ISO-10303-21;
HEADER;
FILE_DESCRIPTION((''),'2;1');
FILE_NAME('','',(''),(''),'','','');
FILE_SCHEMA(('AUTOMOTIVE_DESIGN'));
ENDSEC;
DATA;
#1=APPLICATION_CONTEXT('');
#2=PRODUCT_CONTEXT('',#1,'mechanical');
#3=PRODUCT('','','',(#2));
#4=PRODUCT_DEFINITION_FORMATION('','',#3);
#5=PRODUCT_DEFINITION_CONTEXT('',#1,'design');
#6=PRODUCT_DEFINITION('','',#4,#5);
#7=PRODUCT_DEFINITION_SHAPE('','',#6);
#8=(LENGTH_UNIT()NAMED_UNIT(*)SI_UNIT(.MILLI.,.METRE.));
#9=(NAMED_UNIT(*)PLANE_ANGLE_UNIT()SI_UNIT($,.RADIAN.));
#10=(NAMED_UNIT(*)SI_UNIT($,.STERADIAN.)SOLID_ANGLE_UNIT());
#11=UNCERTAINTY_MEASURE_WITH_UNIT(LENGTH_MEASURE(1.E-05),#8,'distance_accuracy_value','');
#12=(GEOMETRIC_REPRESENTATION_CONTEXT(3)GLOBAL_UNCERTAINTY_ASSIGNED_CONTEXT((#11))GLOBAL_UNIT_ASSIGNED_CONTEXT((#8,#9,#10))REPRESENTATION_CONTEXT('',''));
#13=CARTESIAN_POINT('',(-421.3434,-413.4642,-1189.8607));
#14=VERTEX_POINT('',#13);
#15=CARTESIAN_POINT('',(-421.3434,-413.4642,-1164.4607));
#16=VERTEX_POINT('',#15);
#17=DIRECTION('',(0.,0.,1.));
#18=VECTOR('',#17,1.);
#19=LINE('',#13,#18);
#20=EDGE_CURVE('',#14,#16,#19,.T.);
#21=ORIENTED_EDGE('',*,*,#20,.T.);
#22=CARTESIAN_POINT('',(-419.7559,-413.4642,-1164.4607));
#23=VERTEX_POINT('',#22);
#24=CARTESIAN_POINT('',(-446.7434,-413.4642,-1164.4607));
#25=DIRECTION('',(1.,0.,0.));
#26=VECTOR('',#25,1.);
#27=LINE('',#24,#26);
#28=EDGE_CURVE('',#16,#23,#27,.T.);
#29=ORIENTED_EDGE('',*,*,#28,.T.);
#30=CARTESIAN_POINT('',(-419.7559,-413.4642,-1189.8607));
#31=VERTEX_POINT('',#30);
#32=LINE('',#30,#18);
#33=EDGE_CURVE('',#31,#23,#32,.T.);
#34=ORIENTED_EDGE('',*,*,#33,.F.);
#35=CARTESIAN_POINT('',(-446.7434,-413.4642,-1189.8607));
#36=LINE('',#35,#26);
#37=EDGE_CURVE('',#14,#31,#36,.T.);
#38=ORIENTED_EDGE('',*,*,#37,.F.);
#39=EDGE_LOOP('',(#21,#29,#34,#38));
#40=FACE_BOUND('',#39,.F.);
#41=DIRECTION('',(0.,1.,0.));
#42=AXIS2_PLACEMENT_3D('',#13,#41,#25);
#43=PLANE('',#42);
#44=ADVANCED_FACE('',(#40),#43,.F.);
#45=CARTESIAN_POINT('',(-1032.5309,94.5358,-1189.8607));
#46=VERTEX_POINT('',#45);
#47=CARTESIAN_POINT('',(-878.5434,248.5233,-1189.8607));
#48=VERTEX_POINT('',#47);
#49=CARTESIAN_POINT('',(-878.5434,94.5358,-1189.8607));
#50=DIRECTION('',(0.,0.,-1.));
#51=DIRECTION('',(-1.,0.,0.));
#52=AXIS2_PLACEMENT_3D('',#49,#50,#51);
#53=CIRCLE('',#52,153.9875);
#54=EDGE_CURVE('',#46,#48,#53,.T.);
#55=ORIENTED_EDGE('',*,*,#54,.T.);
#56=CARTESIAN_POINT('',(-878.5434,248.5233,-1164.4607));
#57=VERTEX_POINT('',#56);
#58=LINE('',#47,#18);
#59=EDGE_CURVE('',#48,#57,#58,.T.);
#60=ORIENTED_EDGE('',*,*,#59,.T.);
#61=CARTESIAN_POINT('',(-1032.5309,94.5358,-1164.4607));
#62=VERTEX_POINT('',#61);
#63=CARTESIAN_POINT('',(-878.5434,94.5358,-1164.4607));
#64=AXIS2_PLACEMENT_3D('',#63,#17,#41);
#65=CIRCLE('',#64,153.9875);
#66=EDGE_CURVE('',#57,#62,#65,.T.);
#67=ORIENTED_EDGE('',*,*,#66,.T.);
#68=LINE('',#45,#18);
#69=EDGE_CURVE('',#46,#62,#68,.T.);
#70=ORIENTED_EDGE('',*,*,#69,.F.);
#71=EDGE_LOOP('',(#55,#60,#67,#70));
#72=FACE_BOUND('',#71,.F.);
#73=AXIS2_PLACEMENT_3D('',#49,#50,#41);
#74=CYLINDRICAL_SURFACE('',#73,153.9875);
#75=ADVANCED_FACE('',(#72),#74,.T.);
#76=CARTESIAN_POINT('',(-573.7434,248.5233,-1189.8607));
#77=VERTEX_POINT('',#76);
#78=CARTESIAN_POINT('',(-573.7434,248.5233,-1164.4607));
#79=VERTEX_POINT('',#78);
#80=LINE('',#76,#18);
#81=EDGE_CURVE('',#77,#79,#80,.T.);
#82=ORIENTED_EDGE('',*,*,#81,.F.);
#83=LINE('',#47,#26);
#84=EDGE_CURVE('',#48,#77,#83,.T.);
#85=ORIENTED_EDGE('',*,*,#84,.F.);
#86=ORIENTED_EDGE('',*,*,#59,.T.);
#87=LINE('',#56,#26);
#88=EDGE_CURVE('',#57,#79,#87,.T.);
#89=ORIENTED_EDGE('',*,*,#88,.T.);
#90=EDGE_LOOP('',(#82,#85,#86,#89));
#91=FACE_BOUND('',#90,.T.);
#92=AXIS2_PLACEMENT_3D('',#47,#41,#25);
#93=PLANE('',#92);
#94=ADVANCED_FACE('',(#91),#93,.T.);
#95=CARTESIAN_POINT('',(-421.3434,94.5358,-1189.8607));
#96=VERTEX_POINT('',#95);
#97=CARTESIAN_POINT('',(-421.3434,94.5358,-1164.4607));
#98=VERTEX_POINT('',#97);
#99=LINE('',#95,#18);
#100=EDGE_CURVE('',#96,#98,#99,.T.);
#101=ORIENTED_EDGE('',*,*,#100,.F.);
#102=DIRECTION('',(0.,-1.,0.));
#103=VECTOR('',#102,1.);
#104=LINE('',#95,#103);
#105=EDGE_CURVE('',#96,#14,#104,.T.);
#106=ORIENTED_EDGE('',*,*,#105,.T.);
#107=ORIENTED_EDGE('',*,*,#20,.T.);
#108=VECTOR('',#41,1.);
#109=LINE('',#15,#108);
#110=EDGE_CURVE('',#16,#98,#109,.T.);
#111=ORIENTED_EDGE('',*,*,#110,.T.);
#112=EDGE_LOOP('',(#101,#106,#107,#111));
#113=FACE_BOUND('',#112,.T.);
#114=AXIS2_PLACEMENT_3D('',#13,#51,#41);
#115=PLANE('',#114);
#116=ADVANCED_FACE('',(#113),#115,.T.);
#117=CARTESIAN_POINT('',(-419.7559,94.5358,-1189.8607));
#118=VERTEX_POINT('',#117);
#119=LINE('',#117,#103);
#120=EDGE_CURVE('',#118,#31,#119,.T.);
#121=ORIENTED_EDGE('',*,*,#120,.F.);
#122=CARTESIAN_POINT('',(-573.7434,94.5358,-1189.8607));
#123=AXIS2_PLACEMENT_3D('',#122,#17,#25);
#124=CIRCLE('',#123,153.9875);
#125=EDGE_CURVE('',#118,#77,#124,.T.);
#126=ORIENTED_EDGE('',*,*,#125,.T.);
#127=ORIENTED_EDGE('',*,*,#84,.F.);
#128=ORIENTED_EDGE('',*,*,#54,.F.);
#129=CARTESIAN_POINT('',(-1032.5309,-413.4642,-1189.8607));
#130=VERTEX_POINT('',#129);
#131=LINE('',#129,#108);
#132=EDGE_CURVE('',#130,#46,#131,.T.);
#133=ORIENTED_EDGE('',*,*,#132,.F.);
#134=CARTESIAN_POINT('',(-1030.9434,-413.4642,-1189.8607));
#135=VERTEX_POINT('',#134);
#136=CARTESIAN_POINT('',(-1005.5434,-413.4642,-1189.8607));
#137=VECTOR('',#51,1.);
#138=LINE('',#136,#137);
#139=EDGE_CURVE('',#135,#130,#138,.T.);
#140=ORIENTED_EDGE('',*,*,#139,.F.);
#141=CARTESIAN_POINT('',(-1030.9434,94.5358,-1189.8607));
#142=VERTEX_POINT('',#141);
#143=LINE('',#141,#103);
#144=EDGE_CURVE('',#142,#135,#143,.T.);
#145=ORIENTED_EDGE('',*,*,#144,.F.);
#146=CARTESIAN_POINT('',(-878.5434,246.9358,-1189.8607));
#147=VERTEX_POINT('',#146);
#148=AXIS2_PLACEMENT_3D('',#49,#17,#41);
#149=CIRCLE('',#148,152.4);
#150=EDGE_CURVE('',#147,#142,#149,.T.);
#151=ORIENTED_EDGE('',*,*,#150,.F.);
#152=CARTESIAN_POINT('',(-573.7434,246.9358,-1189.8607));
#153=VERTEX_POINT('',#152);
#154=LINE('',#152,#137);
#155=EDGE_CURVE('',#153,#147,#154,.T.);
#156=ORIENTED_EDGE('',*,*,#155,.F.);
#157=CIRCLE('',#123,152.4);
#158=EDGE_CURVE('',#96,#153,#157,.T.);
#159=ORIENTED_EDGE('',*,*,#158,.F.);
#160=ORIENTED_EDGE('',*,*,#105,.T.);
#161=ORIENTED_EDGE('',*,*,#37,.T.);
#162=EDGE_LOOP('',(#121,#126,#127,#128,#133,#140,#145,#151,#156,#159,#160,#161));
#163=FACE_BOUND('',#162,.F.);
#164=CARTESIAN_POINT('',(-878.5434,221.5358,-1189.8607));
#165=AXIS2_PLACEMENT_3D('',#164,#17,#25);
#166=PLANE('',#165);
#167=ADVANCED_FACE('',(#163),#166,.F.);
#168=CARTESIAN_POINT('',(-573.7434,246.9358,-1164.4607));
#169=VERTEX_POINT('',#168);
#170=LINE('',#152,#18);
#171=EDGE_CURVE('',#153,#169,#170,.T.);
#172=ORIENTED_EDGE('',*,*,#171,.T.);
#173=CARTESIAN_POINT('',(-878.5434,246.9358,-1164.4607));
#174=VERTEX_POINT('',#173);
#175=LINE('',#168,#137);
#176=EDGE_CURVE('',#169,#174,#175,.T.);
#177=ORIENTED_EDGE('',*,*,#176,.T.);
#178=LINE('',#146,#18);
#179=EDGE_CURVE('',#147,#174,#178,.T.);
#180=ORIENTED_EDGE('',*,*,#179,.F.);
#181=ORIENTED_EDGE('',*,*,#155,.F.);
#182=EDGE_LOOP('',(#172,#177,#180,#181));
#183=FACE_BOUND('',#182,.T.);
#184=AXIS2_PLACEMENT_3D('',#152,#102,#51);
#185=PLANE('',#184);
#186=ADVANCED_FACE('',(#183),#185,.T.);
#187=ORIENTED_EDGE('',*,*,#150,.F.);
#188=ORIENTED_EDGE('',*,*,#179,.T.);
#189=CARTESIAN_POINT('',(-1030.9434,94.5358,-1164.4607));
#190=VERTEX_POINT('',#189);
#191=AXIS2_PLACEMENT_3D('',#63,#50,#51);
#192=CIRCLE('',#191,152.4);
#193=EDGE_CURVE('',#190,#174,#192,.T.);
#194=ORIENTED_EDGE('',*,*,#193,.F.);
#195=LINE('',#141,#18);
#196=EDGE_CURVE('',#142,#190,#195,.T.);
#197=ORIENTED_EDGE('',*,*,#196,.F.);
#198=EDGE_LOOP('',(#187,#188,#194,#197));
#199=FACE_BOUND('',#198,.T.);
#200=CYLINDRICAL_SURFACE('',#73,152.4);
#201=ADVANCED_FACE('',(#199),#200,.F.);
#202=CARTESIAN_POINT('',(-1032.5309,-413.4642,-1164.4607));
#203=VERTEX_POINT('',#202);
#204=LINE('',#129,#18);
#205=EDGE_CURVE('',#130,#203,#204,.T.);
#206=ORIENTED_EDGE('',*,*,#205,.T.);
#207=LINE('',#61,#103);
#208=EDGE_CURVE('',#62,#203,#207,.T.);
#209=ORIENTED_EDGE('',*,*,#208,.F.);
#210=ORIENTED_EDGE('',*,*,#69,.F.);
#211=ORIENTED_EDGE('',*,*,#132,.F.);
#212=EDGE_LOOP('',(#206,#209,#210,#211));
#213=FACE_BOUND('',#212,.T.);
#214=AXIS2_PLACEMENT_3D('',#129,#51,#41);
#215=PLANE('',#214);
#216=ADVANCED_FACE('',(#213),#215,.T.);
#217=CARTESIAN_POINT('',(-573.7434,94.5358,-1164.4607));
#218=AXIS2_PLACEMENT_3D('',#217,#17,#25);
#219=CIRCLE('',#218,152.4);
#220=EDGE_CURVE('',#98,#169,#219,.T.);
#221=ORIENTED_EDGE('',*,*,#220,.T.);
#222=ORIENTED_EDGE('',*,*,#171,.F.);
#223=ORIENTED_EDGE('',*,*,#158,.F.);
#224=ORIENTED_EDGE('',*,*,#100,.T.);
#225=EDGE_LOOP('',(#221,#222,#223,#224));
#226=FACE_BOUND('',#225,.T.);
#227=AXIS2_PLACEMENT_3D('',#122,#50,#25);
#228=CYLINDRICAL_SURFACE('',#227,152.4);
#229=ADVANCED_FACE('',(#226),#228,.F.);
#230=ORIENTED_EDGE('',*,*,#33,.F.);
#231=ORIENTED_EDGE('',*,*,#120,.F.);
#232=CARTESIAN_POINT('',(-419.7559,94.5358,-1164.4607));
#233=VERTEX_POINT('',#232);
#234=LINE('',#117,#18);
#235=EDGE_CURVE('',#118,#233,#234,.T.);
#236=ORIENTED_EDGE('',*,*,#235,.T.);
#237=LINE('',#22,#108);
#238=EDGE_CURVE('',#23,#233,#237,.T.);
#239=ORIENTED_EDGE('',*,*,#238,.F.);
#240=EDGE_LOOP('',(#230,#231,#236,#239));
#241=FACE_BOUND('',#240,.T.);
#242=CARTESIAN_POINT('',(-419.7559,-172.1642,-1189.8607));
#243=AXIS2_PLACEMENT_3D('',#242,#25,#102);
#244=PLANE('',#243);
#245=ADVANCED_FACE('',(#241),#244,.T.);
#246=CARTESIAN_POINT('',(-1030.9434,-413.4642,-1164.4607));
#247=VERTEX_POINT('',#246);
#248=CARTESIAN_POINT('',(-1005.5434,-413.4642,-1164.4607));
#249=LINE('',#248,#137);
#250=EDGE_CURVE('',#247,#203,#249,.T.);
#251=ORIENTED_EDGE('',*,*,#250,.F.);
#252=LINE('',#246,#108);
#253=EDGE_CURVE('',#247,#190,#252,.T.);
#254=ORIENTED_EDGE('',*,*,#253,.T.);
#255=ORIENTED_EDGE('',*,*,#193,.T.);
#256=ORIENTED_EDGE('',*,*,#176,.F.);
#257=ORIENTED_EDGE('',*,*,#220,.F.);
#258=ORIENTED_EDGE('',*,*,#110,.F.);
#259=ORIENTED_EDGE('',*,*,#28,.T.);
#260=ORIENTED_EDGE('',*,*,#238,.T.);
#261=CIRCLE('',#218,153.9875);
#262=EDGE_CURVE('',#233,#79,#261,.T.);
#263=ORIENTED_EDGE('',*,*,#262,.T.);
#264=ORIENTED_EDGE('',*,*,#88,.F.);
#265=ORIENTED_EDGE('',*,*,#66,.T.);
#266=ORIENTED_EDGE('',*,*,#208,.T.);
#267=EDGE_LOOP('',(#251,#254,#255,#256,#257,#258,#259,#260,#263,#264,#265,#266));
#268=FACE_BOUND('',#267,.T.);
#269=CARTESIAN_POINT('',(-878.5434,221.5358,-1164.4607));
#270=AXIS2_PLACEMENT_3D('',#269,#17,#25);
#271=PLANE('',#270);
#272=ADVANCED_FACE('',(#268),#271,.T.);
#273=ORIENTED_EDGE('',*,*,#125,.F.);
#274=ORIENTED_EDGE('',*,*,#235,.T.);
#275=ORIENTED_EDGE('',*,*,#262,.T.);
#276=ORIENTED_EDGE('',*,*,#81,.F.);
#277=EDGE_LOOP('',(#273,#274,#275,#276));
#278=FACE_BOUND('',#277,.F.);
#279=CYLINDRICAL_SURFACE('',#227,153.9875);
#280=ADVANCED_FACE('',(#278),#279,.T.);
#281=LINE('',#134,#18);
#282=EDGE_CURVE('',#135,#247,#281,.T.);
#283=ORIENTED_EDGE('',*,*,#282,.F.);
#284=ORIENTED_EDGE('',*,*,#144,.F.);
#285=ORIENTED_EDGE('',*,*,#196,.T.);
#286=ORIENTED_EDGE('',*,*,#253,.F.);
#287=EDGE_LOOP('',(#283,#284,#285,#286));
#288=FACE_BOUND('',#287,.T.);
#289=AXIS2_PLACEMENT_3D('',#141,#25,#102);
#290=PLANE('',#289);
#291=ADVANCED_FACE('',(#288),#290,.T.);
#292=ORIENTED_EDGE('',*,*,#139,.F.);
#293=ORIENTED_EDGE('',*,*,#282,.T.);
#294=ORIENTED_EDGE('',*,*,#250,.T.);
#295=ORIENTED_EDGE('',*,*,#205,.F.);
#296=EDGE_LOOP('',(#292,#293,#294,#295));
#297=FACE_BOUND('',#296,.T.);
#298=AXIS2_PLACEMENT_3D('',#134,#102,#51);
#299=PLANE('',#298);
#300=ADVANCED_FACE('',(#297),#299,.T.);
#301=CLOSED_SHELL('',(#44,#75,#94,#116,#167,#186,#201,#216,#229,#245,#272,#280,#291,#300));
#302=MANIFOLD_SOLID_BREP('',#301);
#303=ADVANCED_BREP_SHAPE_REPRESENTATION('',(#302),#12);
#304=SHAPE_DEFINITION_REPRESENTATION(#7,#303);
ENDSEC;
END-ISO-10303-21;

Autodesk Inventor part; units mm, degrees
ref_plane "YZ Plane" through (0, 0, 0) normal (1, 0, 0) x (0, 1, 0)
ref_plane "XZ Plane" through (0, 0, 0) normal (0, 1, 0) x (-1, 0, 0)
ref_plane "XY Plane" through (0, 0, 0) normal (0, 0, 1) x (1, 0, 0)
ref_plane "Work Plane1" through (-878.5434, 221.5358, -1189.8607) normal (0, 0, 1) x (1, 0, 0)
sketch "Sketch2" plane through (-878.5434, 221.5358, -1189.8607) normal (0, 0, 1) x (1, 0, 0)
  line L0 (431.8, -127) -> (431.8, -304.8)
  line L1 (431.8, -304.8) -> (431.8, -393.7)
  line L2 (431.8, -393.7) -> (431.8, -635)
  line L3 (431.8, -635) -> (-127, -635)
  line L4 (-127, -635) -> (-127, -304.8)
  line L5 (-127, -304.8) -> (-127, -127)
  line L6 (304.8, 0) -> (0, 0)
  arc A0 (0, 12.7) -> (-139.7, -127) centre (0, -127) ccw construction
  line L7 (0, 12.7) -> (0, 11.049)
  arc A1 (0, 11.049) -> (-138.049, -127) centre (0, -127) ccw construction
  line L8 (-138.049, -127) -> (-139.7, -127)
  arc A2 (0, -12.7) -> (-114.3, -127) centre (0, -127) ccw construction
  line L9 (-114.3, -127) -> (-115.951, -127)
  arc A3 (0, -11.049) -> (-115.951, -127) centre (0, -127) ccw construction
  line L10 (0, -11.049) -> (0, -12.7)
  arc A4 (444.5, -127) -> (304.8, 12.7) centre (304.8, -127) ccw construction
  line L11 (444.5, -127) -> (442.849, -127)
  arc A5 (442.849, -127) -> (304.8, 11.049) centre (304.8, -127) ccw construction
  line L12 (304.8, 11.049) -> (304.8, 12.7)
  arc A6 (419.1, -127) -> (304.8, -12.7) centre (304.8, -127) ccw construction
  line L13 (304.8, -12.7) -> (304.8, -11.049)
  arc A7 (420.751, -127) -> (304.8, -11.049) centre (304.8, -127) ccw construction
  line L14 (420.751, -127) -> (419.1, -127)
  line L15 (0, -127) -> (179.6051, -127) construction
  line L16 (0, -127) -> (-80.8223, -46.1777) construction
  line L17 (-81.9897, -45.0103) -> (-97.6154, -29.3846)
  line L18 (-98.7828, -28.2172) -> (-127, 0)
  arc A8 (0, 0) -> (-127, -127) centre (0, -127) ccw
  line L19 (152.4, 0) -> (152.4, -147.1377) construction
  arc A9 (431.8, -127) -> (304.8, 0) centre (304.8, -127) ccw
  line L20 (-152.4, -127) -> (-152.4, -304.8)
  line L21 (-152.4, -304.8) -> (-152.4, -635)
  line L22 (457.2, -635) -> (457.2, -393.7)
  line L23 (457.2, -393.7) -> (457.2, -304.8)
  line L24 (457.2, -304.8) -> (457.2, -127)
  arc A10 (457.2, -127) -> (304.8, 25.4) centre (304.8, -127) ccw
  line L25 (304.8, 25.4) -> (0, 25.4)
  arc A11 (0, 25.4) -> (-152.4, -127) centre (0, -127) ccw
  line L26 (-153.9875, -304.8) -> (-153.9875, -127)
  arc A12 (0, 26.9875) -> (-153.9875, -127) centre (0, -127) ccw
  line L27 (0, 26.9875) -> (304.8, 26.9875)
  arc A13 (458.7875, -127) -> (304.8, 26.9875) centre (304.8, -127) ccw
  line L28 (458.7875, -127) -> (458.7875, -304.8)
  line L29 (458.7875, -304.8) -> (458.7875, -393.7)
  line L30 (458.7875, -393.7) -> (458.7875, -635)
  line L31 (-153.9875, -635) -> (-153.9875, -304.8)
  line L32 (431.8, -635) -> (458.7875, -635)
  line L33 (-127, -635) -> (-153.9875, -635)
  point P0 (878.5434, -221.5358)
  point P1 (-89.8026, -37.1974)
  point P2 (-107.7631, -19.2369)
  point P3 (-108.8856, -18.1144)
  dimension "d1" = 25.4
  dimension "d2" = 1.5875
extrude "Extrusion2" add sketch "Sketch2" along normal blind 25.4 contours L22 L23 L24 A10 L25 A11 L18 A12 L27 A13 L28 L29 L30 L32 | L33 L31 L26 A12 L18 A11 L20 L21
properties part number "end body"
